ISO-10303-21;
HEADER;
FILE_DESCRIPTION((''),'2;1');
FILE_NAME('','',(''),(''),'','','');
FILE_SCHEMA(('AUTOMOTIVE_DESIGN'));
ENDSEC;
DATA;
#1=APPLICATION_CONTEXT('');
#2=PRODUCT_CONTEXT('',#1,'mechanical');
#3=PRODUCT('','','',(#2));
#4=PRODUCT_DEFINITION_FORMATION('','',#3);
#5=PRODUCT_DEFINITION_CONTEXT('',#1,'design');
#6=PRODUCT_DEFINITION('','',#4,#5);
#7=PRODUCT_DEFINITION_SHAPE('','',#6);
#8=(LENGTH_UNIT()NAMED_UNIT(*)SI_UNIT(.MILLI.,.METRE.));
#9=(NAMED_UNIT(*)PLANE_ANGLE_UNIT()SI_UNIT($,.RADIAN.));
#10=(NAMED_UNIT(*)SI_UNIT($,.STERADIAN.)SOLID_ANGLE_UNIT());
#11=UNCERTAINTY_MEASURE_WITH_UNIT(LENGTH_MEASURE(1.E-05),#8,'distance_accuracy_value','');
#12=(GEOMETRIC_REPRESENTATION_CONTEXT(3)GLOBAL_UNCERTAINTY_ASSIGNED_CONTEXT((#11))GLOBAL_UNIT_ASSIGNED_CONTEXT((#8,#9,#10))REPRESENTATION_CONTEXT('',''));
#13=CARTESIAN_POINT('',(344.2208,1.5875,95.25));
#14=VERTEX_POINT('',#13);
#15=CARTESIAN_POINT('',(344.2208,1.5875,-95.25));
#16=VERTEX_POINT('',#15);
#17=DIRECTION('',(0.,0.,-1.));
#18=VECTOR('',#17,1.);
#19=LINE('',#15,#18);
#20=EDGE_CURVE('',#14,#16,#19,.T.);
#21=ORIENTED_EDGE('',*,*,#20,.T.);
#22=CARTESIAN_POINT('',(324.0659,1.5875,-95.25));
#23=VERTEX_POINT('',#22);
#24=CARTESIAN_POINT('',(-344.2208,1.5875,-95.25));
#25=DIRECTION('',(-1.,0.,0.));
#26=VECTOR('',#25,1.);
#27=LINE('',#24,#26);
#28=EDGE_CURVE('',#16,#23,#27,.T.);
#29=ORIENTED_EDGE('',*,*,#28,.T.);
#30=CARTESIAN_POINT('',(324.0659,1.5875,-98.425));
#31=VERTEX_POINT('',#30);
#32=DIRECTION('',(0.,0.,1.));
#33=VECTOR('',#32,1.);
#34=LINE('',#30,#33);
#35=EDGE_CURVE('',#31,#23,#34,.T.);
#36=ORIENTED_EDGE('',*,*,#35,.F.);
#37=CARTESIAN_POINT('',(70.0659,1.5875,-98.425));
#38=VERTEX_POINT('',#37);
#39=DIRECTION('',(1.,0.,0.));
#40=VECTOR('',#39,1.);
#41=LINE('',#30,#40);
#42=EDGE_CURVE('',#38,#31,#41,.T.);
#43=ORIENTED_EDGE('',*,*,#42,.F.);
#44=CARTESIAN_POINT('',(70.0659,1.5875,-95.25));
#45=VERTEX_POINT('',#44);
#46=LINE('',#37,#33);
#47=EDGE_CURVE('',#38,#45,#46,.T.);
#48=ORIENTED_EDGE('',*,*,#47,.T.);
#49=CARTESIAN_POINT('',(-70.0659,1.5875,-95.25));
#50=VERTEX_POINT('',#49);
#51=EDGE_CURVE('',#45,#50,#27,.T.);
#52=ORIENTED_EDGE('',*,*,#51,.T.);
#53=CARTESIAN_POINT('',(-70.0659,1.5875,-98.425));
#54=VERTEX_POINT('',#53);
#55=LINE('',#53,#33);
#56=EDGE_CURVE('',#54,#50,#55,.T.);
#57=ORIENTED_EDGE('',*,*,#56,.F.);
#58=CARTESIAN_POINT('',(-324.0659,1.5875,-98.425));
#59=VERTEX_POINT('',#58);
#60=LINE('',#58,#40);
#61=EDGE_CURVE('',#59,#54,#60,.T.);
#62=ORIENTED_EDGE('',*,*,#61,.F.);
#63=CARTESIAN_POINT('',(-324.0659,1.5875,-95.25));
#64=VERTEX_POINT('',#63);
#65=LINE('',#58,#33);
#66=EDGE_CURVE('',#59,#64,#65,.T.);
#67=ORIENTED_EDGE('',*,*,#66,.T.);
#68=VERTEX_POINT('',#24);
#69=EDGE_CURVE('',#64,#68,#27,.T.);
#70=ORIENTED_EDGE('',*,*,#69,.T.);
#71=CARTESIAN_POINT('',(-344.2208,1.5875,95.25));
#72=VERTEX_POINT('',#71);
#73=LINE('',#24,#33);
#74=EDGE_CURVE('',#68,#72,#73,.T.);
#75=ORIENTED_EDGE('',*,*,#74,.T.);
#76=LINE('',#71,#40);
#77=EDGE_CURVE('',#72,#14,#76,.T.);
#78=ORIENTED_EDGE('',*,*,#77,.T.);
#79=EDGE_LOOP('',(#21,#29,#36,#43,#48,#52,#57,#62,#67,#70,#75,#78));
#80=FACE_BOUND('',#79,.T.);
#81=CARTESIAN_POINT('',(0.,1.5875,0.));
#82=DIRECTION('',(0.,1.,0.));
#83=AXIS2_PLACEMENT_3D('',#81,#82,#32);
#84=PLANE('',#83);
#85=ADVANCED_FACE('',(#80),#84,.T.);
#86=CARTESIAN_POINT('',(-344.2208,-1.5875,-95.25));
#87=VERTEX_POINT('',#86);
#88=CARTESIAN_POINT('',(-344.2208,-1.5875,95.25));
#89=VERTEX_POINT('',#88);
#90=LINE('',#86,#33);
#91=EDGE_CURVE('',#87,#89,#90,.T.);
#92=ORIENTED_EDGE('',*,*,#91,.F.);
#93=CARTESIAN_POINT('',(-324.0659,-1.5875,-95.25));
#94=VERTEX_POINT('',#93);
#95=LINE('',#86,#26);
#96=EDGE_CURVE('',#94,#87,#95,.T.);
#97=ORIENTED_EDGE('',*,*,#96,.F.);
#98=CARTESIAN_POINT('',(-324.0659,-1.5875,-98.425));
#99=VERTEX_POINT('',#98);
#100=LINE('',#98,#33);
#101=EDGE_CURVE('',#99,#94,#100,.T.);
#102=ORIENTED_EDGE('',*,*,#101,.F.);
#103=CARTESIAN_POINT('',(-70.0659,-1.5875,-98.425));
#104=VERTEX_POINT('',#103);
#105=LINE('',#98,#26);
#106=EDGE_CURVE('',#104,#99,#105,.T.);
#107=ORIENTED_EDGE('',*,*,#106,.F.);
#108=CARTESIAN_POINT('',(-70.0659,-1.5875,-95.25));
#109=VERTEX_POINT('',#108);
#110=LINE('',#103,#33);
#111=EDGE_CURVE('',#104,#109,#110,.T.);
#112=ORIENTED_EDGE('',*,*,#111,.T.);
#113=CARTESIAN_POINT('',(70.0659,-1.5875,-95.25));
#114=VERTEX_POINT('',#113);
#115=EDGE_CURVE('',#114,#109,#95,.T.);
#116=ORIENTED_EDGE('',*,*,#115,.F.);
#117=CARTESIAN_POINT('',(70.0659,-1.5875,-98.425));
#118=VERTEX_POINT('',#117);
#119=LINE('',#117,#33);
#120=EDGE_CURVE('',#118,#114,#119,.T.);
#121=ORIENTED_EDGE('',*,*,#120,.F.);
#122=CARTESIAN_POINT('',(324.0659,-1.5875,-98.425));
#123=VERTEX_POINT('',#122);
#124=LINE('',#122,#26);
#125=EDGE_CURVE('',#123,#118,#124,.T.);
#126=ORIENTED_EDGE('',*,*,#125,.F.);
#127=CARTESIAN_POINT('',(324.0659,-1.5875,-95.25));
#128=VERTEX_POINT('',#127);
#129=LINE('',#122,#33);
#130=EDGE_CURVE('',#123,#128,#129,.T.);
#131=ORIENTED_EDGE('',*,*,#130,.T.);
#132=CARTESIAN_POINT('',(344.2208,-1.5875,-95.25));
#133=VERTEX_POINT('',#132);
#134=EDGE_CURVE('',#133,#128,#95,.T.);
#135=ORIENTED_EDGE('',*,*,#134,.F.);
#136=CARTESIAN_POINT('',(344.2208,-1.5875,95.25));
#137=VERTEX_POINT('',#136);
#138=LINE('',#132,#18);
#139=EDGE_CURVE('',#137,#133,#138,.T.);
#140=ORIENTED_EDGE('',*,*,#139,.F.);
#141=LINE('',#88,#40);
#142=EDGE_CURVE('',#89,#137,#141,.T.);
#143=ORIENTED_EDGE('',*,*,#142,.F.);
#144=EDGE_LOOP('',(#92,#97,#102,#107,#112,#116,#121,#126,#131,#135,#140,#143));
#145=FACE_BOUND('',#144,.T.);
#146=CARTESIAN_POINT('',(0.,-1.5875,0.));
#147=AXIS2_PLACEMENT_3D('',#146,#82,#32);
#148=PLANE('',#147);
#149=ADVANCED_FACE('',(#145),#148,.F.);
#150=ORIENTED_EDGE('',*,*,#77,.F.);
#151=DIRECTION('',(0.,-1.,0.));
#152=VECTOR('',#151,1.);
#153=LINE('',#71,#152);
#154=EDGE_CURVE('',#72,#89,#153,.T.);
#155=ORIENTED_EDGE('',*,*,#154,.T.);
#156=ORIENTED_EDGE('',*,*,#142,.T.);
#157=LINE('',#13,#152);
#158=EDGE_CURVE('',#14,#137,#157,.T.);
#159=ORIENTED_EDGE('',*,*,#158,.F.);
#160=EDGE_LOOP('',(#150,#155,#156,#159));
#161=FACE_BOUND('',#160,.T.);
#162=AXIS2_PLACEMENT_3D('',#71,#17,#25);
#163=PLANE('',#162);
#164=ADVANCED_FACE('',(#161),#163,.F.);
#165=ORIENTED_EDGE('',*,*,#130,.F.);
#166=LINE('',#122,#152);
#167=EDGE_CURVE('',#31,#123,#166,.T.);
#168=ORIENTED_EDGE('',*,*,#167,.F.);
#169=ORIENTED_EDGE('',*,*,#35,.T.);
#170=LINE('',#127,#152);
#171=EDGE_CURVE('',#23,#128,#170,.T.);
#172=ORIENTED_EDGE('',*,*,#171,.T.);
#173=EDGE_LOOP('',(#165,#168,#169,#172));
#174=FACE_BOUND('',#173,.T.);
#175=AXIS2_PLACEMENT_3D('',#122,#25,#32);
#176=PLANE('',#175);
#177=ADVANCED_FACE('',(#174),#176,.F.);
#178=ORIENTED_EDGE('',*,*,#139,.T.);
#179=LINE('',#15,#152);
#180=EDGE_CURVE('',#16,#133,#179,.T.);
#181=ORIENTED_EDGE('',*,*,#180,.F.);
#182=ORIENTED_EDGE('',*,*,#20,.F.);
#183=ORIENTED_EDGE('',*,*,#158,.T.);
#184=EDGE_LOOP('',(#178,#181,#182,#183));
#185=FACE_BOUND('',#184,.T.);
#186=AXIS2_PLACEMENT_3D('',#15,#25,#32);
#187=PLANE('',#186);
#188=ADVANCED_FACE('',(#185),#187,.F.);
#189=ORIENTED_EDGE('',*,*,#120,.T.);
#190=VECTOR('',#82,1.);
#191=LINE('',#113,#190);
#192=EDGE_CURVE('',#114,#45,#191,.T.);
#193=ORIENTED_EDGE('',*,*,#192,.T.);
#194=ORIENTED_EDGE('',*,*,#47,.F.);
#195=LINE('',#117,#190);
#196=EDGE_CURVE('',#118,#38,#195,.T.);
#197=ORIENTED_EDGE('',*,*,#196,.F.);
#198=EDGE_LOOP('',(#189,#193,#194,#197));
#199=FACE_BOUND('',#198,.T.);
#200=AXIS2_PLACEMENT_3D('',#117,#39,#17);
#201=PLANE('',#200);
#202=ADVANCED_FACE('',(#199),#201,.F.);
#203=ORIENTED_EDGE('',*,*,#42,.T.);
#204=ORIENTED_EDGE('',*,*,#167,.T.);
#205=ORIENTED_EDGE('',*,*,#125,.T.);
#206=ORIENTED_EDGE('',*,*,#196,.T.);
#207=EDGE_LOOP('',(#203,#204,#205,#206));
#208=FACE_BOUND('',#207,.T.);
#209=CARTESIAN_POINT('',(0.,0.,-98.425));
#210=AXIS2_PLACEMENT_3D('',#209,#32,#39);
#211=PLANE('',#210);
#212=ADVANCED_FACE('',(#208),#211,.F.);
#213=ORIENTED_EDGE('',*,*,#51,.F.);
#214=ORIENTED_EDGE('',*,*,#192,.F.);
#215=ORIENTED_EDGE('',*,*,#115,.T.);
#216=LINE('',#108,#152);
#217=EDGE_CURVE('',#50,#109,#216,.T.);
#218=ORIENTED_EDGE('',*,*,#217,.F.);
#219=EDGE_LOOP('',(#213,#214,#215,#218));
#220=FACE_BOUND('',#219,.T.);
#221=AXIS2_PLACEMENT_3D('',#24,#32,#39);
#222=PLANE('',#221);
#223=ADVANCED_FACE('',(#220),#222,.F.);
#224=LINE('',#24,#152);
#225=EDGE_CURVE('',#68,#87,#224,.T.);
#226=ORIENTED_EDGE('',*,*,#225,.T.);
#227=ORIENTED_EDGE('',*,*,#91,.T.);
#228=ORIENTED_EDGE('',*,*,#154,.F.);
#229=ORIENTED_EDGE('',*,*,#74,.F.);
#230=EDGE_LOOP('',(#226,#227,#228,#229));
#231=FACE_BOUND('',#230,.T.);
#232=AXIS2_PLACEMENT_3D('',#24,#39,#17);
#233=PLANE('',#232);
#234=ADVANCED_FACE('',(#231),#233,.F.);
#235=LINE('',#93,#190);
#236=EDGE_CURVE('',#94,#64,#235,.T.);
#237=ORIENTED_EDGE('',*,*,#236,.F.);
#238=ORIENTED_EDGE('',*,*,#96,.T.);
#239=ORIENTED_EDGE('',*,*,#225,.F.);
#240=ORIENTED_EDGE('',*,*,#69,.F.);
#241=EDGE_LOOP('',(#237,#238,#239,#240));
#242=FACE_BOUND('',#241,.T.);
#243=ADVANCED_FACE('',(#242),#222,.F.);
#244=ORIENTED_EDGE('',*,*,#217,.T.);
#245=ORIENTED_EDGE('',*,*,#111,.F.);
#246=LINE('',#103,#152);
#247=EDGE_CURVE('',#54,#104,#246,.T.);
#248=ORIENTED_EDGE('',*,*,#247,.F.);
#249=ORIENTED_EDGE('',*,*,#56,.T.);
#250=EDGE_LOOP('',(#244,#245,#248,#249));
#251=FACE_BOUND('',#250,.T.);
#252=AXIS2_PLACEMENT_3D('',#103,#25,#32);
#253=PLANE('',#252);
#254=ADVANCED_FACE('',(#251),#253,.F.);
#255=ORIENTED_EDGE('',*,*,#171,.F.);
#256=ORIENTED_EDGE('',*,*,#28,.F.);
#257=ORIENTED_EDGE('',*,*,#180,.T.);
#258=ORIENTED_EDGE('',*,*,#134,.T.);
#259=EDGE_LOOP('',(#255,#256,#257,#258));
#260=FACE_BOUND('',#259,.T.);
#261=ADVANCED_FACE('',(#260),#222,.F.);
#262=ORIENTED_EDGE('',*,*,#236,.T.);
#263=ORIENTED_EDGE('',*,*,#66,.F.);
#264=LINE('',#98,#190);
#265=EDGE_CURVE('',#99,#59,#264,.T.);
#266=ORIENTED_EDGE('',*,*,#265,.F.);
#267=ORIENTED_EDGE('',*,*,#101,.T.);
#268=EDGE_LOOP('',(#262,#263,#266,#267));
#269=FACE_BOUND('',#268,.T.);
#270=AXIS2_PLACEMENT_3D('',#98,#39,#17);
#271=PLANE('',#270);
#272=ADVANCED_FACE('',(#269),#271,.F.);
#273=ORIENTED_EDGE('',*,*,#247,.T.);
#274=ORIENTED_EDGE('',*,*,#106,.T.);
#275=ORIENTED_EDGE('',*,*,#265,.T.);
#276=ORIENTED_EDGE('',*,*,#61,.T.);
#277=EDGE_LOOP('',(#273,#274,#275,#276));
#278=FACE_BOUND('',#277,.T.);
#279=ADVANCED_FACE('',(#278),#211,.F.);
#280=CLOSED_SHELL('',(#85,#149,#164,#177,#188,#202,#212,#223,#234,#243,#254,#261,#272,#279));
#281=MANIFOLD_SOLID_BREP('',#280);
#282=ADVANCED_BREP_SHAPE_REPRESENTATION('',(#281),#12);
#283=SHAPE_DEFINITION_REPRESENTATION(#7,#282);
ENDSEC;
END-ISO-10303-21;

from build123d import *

# Parameters (mm, degrees)
SKETCH1_W           = 688.4416
SKETCH1_H           = 190.5
BOSS_EXTRUDE1_DEPTH = 1.5875
SKETCH2_W           = 254
SKETCH2_H           = 3.175
BOSS_EXTRUDE2_DEPTH = 3.175


with BuildPart() as part:
    # Sketch1 → Boss-Extrude1 (new, symmetric)
    with BuildSketch(Plane(origin=(0, 0, 0), x_dir=(1, 0, 0), z_dir=(0, 1, 0))):
        Rectangle(SKETCH1_W, SKETCH1_H)
    extrude(amount=BOSS_EXTRUDE1_DEPTH, both=True)

    # Sketch2 → Boss-Extrude2 (add)
    with BuildSketch(Plane(origin=(0, 0, -95.25), x_dir=(-1, 0, 0), z_dir=(0, 0, -1))):
        with Locations((-197.0659, 0)):
            Rectangle(SKETCH2_W, SKETCH2_H)
        with Locations((197.0659, 0)):
            Rectangle(SKETCH2_W, SKETCH2_H)
    extrude(amount=BOSS_EXTRUDE2_DEPTH)


solid = part.part
